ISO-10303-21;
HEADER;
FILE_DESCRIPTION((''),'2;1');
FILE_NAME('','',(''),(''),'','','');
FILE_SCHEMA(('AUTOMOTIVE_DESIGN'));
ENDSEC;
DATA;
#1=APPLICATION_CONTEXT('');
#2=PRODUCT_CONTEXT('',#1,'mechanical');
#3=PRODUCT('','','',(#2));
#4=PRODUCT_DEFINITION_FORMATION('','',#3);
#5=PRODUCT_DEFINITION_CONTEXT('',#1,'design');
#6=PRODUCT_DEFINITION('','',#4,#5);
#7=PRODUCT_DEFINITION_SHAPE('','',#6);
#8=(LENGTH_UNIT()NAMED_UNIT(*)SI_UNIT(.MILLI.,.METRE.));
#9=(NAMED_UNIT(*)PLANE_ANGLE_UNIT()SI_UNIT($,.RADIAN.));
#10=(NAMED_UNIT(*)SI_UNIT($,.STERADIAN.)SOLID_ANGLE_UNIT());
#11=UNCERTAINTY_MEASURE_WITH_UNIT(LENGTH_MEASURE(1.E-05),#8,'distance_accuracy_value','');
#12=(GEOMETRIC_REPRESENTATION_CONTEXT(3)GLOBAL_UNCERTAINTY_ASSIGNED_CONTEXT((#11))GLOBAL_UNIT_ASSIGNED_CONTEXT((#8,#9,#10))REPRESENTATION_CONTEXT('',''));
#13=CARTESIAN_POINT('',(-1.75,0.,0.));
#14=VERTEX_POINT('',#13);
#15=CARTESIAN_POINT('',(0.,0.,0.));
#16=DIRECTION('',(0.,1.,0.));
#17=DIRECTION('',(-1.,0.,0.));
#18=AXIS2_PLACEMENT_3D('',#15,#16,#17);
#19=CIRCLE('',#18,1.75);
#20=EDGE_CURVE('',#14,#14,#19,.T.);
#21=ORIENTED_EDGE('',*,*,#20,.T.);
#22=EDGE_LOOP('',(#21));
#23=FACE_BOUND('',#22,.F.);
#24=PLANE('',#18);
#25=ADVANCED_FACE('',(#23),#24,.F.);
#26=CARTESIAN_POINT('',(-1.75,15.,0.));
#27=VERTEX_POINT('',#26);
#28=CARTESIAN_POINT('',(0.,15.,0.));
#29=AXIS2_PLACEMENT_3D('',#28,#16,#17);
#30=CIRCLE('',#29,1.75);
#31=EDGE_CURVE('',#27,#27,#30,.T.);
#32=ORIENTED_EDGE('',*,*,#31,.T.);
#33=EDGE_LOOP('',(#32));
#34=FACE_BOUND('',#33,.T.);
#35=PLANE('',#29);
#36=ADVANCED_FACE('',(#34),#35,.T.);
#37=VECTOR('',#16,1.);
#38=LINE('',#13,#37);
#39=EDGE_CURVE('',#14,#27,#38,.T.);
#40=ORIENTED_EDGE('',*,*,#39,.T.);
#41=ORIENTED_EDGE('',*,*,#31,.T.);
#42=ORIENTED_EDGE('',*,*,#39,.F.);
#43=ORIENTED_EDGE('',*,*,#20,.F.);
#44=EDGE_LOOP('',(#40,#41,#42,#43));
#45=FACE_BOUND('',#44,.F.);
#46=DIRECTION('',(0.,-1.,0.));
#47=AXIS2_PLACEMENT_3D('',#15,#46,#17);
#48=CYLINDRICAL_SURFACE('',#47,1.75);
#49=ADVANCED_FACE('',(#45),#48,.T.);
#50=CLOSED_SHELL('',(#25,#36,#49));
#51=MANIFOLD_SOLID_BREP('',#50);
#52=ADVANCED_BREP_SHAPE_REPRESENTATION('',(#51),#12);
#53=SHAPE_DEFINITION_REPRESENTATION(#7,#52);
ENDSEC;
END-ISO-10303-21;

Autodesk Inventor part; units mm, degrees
ref_plane "YZ Plane" through (0, 0, 0) normal (1, 0, 0) x (0, 1, 0)
ref_plane "XZ Plane" through (0, 0, 0) normal (0, 1, 0) x (-1, 0, 0)
ref_plane "XY Plane" through (0, 0, 0) normal (0, 0, 1) x (1, 0, 0)
sketch "Эскиз1" plane through (0, 0, 0) normal (0, 1, 0) x (-1, 0, 0)
  circle A0 centre (0, 0) radius 1.75
  dimension "d0" = 3.5
extrude "Выдавливание1" add sketch "Эскиз1" along normal blind 15
properties part number "3.5"
